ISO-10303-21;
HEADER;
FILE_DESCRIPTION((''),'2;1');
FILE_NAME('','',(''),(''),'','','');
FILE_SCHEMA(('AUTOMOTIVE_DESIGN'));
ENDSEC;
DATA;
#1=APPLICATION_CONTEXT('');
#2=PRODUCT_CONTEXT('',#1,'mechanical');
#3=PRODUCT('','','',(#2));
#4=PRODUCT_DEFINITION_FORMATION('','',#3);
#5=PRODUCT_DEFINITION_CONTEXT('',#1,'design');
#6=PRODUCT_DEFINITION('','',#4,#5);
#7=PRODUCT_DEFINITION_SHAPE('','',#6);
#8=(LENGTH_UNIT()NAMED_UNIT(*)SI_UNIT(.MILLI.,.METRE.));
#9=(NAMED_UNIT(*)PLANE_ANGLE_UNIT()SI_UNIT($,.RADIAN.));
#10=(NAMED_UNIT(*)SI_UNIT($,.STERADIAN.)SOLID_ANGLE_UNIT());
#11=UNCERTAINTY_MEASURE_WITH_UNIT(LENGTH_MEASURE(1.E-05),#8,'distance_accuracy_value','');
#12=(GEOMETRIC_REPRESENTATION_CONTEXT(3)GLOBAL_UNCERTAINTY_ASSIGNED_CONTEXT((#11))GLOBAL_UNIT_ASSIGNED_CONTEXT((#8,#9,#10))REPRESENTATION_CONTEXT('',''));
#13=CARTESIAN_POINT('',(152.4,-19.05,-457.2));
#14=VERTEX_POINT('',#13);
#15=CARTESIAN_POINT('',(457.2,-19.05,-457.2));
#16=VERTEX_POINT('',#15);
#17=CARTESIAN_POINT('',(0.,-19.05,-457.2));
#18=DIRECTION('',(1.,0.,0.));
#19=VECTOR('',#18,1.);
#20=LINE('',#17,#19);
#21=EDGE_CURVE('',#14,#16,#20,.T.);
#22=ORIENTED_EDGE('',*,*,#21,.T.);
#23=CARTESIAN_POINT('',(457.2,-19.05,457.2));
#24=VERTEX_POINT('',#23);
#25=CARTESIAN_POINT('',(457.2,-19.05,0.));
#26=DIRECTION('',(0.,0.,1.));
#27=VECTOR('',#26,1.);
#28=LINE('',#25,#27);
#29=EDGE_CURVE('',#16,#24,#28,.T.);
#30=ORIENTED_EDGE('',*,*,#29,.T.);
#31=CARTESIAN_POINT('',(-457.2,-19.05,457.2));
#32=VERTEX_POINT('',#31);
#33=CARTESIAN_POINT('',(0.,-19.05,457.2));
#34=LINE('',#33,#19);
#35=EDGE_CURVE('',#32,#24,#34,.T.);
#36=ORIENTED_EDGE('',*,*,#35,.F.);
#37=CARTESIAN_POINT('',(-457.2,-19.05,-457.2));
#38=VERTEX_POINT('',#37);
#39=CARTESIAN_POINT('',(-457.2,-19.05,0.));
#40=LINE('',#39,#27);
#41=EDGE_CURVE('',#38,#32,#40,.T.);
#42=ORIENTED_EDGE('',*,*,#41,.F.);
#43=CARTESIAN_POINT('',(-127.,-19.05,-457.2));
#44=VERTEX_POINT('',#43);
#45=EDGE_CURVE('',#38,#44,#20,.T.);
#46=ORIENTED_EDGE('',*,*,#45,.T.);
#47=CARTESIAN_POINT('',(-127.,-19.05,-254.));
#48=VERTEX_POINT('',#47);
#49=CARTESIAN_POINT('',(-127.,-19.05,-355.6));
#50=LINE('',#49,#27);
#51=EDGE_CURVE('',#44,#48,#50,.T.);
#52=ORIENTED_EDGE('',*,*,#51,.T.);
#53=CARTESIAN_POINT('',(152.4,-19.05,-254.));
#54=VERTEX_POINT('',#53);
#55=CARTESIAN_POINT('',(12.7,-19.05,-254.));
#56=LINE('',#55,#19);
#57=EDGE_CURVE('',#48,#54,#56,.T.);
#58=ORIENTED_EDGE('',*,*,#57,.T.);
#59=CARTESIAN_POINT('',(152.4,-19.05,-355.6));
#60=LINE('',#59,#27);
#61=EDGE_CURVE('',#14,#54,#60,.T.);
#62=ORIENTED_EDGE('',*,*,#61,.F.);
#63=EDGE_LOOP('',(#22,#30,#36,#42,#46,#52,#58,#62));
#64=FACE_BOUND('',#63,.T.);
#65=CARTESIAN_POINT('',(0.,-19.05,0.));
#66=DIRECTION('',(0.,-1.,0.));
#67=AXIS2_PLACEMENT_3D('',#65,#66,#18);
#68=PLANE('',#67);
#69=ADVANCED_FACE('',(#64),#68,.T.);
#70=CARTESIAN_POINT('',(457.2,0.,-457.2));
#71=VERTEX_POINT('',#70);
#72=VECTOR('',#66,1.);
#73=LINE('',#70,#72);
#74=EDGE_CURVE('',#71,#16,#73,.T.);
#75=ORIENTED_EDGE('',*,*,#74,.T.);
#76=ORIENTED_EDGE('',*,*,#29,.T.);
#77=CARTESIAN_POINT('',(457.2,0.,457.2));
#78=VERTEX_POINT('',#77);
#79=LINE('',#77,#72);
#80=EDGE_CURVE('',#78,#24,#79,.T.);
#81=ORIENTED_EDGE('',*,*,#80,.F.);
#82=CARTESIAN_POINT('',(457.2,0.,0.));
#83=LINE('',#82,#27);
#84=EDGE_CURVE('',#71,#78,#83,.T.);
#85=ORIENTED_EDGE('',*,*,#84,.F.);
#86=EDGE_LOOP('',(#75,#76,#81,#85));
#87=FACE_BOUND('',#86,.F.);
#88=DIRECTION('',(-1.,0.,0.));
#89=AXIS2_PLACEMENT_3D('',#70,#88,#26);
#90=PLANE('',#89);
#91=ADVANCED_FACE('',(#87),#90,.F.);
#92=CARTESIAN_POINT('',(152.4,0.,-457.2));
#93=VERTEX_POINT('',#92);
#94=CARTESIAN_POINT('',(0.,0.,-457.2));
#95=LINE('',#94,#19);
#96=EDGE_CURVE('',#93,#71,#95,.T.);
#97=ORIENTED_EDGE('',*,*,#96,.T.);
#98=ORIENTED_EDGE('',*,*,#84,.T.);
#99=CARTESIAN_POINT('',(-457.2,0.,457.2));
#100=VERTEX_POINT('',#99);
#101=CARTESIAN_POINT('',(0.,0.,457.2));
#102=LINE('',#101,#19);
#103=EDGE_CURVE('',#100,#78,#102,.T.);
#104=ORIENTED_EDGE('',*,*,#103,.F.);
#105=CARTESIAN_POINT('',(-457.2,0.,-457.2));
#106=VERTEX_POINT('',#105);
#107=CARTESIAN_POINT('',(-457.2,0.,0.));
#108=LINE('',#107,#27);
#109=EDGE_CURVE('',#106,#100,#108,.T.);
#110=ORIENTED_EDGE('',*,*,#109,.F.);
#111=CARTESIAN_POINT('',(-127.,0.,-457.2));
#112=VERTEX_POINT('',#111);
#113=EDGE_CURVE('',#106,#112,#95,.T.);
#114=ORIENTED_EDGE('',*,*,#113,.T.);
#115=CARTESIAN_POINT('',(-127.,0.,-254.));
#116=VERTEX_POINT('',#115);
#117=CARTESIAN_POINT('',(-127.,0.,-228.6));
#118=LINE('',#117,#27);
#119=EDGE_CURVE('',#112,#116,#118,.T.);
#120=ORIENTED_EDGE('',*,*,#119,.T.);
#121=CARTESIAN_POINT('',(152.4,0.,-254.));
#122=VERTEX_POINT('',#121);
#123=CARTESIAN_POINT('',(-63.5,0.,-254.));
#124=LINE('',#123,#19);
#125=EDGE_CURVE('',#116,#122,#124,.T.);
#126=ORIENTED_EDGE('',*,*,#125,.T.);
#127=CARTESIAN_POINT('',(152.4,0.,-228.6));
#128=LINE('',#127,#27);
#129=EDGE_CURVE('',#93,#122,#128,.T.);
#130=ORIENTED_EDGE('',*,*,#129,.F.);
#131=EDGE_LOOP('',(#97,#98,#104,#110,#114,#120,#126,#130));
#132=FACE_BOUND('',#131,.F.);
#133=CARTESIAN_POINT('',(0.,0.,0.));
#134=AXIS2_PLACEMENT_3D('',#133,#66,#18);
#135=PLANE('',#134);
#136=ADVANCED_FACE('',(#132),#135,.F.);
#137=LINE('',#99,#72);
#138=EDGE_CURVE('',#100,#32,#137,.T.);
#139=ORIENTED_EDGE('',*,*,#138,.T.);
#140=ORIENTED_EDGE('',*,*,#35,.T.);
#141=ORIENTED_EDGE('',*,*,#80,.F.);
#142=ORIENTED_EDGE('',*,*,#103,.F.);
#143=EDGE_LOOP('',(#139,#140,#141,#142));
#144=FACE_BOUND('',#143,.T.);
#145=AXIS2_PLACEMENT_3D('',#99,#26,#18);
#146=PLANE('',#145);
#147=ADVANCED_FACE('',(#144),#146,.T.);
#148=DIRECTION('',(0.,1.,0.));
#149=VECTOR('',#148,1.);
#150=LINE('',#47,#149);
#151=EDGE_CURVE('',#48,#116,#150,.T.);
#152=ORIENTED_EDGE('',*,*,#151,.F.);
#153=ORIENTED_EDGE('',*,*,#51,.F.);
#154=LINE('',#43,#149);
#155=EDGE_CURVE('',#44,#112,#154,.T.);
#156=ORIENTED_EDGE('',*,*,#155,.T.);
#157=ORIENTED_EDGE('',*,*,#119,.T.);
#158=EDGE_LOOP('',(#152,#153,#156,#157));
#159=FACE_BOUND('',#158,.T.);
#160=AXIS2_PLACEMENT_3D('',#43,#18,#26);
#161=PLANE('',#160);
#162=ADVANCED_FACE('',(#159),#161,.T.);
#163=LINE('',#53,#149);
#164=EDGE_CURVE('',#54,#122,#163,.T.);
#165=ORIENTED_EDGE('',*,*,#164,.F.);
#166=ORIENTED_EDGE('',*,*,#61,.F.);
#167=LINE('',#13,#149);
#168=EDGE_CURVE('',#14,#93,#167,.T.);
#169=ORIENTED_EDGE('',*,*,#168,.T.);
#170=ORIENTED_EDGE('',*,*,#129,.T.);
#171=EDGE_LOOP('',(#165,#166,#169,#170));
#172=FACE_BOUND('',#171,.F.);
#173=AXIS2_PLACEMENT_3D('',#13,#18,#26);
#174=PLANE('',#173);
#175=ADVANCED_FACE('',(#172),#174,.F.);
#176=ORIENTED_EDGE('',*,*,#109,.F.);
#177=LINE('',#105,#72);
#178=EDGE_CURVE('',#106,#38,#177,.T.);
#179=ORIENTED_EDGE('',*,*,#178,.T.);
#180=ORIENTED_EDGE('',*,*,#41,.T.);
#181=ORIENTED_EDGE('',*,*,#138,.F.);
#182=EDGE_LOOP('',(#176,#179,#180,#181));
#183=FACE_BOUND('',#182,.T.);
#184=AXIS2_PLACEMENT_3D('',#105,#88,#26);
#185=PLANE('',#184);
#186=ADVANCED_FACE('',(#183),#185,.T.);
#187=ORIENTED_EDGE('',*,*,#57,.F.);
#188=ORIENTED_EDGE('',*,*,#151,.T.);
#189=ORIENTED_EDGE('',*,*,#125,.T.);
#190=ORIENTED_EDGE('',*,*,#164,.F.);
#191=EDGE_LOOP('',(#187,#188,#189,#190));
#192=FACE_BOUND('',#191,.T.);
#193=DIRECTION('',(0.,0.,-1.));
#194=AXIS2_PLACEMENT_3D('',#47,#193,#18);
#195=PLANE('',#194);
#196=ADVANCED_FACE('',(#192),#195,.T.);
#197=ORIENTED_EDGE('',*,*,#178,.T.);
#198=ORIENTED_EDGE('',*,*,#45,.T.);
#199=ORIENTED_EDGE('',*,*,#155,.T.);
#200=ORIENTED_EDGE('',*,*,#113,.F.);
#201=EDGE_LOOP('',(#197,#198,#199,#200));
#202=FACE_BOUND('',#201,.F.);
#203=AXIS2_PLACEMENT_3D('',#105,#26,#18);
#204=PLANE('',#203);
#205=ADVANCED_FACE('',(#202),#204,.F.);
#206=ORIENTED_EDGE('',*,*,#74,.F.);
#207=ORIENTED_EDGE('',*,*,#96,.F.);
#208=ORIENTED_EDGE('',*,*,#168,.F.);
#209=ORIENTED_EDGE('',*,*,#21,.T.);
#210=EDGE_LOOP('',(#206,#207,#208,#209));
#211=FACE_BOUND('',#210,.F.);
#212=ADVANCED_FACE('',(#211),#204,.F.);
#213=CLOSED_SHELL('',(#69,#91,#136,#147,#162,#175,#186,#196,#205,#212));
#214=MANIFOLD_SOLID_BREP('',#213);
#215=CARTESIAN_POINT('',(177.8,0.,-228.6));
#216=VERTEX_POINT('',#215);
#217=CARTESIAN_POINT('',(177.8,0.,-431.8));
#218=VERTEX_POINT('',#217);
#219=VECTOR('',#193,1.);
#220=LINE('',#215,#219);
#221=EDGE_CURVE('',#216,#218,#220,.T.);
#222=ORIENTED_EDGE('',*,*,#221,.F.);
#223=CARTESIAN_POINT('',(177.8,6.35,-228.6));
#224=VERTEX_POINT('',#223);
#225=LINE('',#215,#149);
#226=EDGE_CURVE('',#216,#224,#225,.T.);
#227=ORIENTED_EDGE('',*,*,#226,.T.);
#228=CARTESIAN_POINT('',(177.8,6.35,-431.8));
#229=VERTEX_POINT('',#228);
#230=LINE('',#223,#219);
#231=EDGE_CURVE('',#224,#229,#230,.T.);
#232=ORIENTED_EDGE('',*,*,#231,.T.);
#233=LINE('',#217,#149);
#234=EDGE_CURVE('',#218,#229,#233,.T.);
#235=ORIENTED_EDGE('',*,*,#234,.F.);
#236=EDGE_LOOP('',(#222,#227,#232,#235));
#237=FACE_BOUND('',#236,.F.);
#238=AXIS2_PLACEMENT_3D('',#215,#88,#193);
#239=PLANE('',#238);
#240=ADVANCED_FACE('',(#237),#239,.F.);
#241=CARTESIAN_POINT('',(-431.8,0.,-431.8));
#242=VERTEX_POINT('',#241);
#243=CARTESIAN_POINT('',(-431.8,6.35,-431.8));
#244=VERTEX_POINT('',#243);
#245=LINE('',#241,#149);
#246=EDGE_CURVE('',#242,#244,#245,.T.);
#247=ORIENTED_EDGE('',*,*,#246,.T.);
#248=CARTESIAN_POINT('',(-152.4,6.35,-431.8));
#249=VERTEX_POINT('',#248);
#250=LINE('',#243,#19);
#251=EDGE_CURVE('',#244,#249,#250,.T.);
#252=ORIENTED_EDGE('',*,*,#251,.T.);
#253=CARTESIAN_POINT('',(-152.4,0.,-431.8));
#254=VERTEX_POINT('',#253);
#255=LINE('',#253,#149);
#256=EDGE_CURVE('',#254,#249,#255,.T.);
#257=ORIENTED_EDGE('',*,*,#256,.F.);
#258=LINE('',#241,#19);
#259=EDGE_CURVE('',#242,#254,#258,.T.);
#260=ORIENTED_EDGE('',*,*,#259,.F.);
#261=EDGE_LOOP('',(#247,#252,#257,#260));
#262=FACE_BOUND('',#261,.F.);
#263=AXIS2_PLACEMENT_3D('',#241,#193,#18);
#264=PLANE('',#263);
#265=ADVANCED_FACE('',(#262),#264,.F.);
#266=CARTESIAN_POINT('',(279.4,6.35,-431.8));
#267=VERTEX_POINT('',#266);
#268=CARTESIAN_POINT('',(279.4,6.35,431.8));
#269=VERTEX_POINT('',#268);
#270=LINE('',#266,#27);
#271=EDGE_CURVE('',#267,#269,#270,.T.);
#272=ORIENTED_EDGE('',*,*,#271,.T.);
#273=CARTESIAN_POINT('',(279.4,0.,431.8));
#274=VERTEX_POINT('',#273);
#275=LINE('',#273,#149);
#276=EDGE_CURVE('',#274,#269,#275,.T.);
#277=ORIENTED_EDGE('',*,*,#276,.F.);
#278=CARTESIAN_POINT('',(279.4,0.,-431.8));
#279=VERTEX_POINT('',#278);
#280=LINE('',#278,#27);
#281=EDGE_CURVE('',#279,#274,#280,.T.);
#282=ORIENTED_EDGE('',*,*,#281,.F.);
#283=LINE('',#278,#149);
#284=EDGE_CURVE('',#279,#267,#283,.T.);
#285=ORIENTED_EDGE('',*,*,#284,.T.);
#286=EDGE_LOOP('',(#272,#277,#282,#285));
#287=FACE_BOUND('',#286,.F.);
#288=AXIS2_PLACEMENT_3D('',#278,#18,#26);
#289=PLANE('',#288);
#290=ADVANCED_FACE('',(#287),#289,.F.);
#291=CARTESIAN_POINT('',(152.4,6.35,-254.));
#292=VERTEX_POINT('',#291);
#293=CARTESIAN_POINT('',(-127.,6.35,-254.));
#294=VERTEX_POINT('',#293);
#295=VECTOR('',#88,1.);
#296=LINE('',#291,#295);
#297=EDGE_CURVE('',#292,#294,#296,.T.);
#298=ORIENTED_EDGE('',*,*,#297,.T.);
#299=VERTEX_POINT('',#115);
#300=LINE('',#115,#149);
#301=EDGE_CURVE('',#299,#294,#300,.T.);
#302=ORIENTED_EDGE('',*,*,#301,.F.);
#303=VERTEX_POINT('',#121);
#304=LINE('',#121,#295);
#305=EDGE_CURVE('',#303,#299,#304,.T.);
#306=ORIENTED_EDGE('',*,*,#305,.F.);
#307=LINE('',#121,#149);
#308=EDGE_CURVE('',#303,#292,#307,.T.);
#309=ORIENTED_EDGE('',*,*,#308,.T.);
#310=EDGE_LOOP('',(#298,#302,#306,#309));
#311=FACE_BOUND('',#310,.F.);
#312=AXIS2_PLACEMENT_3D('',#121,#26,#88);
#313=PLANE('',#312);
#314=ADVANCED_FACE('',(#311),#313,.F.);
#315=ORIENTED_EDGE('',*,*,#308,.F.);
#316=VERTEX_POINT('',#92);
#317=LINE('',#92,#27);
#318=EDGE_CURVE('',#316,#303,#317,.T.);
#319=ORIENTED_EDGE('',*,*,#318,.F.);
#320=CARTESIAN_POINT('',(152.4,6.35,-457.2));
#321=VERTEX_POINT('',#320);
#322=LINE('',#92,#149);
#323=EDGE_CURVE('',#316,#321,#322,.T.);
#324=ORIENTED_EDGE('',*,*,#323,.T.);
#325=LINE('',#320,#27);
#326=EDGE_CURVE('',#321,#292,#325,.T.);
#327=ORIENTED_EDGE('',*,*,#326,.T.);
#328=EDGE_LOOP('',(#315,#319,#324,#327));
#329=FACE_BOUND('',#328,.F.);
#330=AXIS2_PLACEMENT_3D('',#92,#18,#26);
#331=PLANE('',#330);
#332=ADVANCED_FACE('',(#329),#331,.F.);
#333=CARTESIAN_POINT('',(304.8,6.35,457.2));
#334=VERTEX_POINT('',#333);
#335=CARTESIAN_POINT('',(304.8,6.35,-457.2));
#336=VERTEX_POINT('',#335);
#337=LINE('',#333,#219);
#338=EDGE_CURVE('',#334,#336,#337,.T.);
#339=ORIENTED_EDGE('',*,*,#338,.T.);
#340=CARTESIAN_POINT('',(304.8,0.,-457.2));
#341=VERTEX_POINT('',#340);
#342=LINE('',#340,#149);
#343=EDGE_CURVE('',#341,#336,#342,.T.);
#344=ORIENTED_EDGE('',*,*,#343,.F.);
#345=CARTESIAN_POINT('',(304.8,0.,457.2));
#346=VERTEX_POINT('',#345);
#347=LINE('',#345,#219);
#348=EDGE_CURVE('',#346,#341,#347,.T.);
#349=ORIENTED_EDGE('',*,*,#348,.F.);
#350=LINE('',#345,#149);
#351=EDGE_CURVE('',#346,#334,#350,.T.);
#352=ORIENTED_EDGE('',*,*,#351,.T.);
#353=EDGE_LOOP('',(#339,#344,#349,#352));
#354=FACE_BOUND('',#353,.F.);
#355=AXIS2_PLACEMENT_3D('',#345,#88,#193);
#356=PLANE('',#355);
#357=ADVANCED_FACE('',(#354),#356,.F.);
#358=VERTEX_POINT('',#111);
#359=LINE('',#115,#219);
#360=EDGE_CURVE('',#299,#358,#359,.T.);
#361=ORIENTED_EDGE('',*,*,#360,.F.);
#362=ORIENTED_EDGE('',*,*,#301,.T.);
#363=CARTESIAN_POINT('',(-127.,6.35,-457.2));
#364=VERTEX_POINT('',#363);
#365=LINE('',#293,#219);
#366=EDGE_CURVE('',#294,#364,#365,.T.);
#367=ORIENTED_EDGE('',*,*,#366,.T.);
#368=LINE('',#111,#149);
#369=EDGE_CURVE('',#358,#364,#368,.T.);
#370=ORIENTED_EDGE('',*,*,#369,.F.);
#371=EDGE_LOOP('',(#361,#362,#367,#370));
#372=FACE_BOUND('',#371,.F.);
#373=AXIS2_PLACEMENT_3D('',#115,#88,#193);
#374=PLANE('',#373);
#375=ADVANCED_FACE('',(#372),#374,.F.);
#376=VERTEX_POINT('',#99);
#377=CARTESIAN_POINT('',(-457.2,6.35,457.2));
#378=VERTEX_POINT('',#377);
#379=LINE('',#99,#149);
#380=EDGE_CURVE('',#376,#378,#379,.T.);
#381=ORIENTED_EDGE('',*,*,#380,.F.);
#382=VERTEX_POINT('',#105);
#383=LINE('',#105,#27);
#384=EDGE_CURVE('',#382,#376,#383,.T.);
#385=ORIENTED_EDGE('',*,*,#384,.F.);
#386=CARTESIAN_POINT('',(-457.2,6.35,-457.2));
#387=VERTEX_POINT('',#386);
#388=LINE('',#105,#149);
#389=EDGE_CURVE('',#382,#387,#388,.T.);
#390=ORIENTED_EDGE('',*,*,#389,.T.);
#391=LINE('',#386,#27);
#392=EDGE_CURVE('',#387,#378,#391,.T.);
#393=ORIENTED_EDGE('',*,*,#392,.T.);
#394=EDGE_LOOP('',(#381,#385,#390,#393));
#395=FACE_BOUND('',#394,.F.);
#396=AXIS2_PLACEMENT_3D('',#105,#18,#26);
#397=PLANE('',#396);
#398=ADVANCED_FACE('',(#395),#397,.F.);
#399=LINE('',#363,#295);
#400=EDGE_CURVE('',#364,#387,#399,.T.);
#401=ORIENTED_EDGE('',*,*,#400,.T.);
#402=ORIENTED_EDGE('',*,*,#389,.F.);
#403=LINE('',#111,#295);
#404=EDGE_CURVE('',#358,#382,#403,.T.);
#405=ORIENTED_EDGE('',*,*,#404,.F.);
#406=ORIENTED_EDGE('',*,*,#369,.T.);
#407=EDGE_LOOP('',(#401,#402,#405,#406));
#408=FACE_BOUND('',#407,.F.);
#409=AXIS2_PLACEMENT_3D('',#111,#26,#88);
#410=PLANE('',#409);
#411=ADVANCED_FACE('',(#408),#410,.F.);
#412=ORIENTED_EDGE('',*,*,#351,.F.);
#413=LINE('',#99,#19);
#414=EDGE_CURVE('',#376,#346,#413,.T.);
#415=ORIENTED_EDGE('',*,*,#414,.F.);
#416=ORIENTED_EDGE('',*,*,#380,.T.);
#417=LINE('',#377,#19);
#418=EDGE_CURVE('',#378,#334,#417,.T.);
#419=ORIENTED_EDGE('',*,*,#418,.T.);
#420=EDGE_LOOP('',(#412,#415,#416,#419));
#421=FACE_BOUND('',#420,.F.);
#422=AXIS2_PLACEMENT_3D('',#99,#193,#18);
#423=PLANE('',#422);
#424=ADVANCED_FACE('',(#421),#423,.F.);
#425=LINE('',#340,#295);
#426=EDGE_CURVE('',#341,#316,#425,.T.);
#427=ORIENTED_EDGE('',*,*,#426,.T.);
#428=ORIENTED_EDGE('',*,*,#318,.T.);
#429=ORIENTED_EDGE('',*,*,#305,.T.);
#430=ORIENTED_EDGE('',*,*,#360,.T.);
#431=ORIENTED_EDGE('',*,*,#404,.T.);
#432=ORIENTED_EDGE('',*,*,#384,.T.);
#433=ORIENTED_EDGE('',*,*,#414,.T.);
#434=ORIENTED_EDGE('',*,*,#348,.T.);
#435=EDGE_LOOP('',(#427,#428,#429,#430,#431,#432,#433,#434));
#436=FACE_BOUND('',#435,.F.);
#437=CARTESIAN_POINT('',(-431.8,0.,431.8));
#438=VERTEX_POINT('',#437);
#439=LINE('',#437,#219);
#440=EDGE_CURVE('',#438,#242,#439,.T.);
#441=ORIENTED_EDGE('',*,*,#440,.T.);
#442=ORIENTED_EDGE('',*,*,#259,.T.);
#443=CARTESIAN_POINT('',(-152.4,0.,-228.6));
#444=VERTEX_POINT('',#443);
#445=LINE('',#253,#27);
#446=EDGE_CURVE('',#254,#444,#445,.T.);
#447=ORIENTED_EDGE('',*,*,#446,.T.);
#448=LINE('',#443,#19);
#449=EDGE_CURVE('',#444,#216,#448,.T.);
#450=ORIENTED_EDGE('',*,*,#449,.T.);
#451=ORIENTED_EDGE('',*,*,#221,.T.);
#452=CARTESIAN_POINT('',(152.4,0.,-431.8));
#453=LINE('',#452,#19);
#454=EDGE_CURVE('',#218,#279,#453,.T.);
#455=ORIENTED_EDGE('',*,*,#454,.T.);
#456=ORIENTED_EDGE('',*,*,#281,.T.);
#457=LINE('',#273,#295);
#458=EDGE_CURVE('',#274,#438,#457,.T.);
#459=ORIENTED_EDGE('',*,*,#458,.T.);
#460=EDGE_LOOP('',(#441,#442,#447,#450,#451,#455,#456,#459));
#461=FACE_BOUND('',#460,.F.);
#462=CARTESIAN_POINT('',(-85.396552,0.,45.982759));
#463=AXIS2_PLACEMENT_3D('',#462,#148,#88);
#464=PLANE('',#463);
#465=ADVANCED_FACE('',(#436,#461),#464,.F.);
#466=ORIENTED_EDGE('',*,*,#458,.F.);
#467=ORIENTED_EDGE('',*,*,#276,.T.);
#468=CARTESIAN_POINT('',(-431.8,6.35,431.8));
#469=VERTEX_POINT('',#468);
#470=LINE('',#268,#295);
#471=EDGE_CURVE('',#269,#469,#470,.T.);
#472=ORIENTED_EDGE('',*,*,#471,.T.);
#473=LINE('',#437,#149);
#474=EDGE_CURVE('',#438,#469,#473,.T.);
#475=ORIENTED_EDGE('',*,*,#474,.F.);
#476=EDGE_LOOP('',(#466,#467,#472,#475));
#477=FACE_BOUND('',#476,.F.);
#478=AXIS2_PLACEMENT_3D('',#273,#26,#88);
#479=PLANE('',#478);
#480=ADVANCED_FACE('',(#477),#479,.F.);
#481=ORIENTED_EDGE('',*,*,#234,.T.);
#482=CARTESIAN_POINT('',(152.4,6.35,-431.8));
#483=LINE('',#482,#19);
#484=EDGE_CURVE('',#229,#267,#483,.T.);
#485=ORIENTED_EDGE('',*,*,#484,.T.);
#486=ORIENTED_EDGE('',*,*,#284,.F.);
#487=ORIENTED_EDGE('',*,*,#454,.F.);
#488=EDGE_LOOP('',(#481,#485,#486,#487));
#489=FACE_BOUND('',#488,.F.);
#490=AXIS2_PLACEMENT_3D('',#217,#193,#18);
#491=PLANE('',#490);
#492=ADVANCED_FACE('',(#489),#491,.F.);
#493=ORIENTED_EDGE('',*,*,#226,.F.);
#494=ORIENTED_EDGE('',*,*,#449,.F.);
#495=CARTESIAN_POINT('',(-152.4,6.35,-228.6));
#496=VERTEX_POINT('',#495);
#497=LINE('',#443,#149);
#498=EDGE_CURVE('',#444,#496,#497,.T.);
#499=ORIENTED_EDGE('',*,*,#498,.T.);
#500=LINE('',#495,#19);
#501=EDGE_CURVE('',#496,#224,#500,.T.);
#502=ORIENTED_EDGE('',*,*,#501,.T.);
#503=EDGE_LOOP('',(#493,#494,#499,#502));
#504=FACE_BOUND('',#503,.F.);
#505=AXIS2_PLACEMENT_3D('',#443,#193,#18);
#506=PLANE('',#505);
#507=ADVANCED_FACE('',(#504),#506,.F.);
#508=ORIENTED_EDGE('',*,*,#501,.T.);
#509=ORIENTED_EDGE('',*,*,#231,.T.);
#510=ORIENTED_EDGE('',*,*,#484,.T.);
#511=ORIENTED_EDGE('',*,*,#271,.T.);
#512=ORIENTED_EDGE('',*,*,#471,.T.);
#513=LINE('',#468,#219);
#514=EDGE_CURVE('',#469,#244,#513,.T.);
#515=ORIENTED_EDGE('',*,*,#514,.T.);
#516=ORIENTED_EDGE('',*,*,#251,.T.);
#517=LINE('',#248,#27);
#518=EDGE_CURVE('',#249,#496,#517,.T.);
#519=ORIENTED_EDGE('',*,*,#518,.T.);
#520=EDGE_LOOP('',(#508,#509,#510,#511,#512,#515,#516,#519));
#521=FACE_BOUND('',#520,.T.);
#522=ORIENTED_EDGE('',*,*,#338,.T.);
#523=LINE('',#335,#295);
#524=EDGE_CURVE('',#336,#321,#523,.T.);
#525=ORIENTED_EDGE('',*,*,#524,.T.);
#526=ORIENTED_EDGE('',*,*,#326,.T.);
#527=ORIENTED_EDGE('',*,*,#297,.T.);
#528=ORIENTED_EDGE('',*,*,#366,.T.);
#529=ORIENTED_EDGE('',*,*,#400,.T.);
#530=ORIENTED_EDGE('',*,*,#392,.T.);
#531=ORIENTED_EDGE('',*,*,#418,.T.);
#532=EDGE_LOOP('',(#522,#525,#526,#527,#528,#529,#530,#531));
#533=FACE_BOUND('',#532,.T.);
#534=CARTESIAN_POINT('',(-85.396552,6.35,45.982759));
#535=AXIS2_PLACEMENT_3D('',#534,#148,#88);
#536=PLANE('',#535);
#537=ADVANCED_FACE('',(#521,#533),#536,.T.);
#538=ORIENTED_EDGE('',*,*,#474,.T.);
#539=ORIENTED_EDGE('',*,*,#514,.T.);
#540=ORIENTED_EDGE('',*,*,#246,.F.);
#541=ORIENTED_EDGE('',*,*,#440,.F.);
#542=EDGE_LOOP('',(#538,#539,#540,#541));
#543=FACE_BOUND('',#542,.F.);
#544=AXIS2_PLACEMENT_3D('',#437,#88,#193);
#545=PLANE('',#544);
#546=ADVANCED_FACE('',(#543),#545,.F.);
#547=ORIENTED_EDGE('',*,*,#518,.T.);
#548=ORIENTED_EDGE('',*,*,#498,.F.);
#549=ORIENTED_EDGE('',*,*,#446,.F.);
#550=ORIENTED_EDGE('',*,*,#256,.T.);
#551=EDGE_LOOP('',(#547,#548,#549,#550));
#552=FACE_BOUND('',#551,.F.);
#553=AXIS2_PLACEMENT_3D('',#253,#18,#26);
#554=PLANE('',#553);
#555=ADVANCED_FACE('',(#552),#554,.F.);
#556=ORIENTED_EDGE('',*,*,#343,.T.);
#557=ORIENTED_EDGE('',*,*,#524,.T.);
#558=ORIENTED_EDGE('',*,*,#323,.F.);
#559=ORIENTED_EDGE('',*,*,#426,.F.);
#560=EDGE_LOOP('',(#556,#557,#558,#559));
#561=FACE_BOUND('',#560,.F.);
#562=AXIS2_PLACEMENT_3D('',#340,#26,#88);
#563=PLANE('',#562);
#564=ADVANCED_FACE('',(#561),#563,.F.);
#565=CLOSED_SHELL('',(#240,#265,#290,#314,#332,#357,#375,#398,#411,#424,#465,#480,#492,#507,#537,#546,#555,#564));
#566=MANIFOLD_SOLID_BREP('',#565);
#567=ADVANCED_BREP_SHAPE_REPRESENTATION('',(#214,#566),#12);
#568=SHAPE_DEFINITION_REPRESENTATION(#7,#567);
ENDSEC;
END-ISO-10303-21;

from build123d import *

# Parameters (mm, degrees)
F3_W     = 914.4
F3_H     = 914.4
F4_DEPTH = 19.05
F0_W     = 279.4
F0_H     = 203.2
F5_DEPTH = 25
F1_W     = 25.4
F1_H     = 25.4
F2_DEPTH = 6.35


with BuildPart() as f4:
    # F3 (on Front) → F4 (new body)
    with BuildSketch(Plane.XZ):
        Rectangle(F3_W, F3_H)
    extrude(amount=F4_DEPTH)

    # F0 (on face) → F5 (cut)
    with BuildSketch(Plane.XZ.offset(19.05)):
        with Locations((12.7, -355.6)):
            Rectangle(F0_W, F0_H)
    extrude(amount=-F5_DEPTH, mode=Mode.SUBTRACT)


with BuildPart() as f2:
    # F1 (on face) → F2 (new body)
    with BuildSketch(Plane(origin=(0, 0, 0), x_dir=(-1, 0, 0), z_dir=(0, 1, 0))):
        Polygon((457.2, -457.2), (457.2, 457.2), (-304.8, 457.2), (-304.8, -457.2), (-177.8, -457.2), (-177.8, -431.8), (-279.4, -431.8), (-279.4, 431.8), (431.8, 431.8), (431.8, -431.8), (152.4, -431.8), (152.4, -457.2), align=None)
        with Locations((-165.1, -444.5)):
            Rectangle(F1_W, F1_H)
        Polygon((127, -431.8), (152.4, -431.8), (152.4, -228.6), (-177.8, -228.6), (-177.8, -431.8), (-152.4, -431.8), (-152.4, -254), (127, -254), align=None)
        with Locations((139.7, -444.5)):
            Rectangle(F1_W, F1_H)
    extrude(amount=F2_DEPTH)


solid = Compound([f4.part, f2.part])
